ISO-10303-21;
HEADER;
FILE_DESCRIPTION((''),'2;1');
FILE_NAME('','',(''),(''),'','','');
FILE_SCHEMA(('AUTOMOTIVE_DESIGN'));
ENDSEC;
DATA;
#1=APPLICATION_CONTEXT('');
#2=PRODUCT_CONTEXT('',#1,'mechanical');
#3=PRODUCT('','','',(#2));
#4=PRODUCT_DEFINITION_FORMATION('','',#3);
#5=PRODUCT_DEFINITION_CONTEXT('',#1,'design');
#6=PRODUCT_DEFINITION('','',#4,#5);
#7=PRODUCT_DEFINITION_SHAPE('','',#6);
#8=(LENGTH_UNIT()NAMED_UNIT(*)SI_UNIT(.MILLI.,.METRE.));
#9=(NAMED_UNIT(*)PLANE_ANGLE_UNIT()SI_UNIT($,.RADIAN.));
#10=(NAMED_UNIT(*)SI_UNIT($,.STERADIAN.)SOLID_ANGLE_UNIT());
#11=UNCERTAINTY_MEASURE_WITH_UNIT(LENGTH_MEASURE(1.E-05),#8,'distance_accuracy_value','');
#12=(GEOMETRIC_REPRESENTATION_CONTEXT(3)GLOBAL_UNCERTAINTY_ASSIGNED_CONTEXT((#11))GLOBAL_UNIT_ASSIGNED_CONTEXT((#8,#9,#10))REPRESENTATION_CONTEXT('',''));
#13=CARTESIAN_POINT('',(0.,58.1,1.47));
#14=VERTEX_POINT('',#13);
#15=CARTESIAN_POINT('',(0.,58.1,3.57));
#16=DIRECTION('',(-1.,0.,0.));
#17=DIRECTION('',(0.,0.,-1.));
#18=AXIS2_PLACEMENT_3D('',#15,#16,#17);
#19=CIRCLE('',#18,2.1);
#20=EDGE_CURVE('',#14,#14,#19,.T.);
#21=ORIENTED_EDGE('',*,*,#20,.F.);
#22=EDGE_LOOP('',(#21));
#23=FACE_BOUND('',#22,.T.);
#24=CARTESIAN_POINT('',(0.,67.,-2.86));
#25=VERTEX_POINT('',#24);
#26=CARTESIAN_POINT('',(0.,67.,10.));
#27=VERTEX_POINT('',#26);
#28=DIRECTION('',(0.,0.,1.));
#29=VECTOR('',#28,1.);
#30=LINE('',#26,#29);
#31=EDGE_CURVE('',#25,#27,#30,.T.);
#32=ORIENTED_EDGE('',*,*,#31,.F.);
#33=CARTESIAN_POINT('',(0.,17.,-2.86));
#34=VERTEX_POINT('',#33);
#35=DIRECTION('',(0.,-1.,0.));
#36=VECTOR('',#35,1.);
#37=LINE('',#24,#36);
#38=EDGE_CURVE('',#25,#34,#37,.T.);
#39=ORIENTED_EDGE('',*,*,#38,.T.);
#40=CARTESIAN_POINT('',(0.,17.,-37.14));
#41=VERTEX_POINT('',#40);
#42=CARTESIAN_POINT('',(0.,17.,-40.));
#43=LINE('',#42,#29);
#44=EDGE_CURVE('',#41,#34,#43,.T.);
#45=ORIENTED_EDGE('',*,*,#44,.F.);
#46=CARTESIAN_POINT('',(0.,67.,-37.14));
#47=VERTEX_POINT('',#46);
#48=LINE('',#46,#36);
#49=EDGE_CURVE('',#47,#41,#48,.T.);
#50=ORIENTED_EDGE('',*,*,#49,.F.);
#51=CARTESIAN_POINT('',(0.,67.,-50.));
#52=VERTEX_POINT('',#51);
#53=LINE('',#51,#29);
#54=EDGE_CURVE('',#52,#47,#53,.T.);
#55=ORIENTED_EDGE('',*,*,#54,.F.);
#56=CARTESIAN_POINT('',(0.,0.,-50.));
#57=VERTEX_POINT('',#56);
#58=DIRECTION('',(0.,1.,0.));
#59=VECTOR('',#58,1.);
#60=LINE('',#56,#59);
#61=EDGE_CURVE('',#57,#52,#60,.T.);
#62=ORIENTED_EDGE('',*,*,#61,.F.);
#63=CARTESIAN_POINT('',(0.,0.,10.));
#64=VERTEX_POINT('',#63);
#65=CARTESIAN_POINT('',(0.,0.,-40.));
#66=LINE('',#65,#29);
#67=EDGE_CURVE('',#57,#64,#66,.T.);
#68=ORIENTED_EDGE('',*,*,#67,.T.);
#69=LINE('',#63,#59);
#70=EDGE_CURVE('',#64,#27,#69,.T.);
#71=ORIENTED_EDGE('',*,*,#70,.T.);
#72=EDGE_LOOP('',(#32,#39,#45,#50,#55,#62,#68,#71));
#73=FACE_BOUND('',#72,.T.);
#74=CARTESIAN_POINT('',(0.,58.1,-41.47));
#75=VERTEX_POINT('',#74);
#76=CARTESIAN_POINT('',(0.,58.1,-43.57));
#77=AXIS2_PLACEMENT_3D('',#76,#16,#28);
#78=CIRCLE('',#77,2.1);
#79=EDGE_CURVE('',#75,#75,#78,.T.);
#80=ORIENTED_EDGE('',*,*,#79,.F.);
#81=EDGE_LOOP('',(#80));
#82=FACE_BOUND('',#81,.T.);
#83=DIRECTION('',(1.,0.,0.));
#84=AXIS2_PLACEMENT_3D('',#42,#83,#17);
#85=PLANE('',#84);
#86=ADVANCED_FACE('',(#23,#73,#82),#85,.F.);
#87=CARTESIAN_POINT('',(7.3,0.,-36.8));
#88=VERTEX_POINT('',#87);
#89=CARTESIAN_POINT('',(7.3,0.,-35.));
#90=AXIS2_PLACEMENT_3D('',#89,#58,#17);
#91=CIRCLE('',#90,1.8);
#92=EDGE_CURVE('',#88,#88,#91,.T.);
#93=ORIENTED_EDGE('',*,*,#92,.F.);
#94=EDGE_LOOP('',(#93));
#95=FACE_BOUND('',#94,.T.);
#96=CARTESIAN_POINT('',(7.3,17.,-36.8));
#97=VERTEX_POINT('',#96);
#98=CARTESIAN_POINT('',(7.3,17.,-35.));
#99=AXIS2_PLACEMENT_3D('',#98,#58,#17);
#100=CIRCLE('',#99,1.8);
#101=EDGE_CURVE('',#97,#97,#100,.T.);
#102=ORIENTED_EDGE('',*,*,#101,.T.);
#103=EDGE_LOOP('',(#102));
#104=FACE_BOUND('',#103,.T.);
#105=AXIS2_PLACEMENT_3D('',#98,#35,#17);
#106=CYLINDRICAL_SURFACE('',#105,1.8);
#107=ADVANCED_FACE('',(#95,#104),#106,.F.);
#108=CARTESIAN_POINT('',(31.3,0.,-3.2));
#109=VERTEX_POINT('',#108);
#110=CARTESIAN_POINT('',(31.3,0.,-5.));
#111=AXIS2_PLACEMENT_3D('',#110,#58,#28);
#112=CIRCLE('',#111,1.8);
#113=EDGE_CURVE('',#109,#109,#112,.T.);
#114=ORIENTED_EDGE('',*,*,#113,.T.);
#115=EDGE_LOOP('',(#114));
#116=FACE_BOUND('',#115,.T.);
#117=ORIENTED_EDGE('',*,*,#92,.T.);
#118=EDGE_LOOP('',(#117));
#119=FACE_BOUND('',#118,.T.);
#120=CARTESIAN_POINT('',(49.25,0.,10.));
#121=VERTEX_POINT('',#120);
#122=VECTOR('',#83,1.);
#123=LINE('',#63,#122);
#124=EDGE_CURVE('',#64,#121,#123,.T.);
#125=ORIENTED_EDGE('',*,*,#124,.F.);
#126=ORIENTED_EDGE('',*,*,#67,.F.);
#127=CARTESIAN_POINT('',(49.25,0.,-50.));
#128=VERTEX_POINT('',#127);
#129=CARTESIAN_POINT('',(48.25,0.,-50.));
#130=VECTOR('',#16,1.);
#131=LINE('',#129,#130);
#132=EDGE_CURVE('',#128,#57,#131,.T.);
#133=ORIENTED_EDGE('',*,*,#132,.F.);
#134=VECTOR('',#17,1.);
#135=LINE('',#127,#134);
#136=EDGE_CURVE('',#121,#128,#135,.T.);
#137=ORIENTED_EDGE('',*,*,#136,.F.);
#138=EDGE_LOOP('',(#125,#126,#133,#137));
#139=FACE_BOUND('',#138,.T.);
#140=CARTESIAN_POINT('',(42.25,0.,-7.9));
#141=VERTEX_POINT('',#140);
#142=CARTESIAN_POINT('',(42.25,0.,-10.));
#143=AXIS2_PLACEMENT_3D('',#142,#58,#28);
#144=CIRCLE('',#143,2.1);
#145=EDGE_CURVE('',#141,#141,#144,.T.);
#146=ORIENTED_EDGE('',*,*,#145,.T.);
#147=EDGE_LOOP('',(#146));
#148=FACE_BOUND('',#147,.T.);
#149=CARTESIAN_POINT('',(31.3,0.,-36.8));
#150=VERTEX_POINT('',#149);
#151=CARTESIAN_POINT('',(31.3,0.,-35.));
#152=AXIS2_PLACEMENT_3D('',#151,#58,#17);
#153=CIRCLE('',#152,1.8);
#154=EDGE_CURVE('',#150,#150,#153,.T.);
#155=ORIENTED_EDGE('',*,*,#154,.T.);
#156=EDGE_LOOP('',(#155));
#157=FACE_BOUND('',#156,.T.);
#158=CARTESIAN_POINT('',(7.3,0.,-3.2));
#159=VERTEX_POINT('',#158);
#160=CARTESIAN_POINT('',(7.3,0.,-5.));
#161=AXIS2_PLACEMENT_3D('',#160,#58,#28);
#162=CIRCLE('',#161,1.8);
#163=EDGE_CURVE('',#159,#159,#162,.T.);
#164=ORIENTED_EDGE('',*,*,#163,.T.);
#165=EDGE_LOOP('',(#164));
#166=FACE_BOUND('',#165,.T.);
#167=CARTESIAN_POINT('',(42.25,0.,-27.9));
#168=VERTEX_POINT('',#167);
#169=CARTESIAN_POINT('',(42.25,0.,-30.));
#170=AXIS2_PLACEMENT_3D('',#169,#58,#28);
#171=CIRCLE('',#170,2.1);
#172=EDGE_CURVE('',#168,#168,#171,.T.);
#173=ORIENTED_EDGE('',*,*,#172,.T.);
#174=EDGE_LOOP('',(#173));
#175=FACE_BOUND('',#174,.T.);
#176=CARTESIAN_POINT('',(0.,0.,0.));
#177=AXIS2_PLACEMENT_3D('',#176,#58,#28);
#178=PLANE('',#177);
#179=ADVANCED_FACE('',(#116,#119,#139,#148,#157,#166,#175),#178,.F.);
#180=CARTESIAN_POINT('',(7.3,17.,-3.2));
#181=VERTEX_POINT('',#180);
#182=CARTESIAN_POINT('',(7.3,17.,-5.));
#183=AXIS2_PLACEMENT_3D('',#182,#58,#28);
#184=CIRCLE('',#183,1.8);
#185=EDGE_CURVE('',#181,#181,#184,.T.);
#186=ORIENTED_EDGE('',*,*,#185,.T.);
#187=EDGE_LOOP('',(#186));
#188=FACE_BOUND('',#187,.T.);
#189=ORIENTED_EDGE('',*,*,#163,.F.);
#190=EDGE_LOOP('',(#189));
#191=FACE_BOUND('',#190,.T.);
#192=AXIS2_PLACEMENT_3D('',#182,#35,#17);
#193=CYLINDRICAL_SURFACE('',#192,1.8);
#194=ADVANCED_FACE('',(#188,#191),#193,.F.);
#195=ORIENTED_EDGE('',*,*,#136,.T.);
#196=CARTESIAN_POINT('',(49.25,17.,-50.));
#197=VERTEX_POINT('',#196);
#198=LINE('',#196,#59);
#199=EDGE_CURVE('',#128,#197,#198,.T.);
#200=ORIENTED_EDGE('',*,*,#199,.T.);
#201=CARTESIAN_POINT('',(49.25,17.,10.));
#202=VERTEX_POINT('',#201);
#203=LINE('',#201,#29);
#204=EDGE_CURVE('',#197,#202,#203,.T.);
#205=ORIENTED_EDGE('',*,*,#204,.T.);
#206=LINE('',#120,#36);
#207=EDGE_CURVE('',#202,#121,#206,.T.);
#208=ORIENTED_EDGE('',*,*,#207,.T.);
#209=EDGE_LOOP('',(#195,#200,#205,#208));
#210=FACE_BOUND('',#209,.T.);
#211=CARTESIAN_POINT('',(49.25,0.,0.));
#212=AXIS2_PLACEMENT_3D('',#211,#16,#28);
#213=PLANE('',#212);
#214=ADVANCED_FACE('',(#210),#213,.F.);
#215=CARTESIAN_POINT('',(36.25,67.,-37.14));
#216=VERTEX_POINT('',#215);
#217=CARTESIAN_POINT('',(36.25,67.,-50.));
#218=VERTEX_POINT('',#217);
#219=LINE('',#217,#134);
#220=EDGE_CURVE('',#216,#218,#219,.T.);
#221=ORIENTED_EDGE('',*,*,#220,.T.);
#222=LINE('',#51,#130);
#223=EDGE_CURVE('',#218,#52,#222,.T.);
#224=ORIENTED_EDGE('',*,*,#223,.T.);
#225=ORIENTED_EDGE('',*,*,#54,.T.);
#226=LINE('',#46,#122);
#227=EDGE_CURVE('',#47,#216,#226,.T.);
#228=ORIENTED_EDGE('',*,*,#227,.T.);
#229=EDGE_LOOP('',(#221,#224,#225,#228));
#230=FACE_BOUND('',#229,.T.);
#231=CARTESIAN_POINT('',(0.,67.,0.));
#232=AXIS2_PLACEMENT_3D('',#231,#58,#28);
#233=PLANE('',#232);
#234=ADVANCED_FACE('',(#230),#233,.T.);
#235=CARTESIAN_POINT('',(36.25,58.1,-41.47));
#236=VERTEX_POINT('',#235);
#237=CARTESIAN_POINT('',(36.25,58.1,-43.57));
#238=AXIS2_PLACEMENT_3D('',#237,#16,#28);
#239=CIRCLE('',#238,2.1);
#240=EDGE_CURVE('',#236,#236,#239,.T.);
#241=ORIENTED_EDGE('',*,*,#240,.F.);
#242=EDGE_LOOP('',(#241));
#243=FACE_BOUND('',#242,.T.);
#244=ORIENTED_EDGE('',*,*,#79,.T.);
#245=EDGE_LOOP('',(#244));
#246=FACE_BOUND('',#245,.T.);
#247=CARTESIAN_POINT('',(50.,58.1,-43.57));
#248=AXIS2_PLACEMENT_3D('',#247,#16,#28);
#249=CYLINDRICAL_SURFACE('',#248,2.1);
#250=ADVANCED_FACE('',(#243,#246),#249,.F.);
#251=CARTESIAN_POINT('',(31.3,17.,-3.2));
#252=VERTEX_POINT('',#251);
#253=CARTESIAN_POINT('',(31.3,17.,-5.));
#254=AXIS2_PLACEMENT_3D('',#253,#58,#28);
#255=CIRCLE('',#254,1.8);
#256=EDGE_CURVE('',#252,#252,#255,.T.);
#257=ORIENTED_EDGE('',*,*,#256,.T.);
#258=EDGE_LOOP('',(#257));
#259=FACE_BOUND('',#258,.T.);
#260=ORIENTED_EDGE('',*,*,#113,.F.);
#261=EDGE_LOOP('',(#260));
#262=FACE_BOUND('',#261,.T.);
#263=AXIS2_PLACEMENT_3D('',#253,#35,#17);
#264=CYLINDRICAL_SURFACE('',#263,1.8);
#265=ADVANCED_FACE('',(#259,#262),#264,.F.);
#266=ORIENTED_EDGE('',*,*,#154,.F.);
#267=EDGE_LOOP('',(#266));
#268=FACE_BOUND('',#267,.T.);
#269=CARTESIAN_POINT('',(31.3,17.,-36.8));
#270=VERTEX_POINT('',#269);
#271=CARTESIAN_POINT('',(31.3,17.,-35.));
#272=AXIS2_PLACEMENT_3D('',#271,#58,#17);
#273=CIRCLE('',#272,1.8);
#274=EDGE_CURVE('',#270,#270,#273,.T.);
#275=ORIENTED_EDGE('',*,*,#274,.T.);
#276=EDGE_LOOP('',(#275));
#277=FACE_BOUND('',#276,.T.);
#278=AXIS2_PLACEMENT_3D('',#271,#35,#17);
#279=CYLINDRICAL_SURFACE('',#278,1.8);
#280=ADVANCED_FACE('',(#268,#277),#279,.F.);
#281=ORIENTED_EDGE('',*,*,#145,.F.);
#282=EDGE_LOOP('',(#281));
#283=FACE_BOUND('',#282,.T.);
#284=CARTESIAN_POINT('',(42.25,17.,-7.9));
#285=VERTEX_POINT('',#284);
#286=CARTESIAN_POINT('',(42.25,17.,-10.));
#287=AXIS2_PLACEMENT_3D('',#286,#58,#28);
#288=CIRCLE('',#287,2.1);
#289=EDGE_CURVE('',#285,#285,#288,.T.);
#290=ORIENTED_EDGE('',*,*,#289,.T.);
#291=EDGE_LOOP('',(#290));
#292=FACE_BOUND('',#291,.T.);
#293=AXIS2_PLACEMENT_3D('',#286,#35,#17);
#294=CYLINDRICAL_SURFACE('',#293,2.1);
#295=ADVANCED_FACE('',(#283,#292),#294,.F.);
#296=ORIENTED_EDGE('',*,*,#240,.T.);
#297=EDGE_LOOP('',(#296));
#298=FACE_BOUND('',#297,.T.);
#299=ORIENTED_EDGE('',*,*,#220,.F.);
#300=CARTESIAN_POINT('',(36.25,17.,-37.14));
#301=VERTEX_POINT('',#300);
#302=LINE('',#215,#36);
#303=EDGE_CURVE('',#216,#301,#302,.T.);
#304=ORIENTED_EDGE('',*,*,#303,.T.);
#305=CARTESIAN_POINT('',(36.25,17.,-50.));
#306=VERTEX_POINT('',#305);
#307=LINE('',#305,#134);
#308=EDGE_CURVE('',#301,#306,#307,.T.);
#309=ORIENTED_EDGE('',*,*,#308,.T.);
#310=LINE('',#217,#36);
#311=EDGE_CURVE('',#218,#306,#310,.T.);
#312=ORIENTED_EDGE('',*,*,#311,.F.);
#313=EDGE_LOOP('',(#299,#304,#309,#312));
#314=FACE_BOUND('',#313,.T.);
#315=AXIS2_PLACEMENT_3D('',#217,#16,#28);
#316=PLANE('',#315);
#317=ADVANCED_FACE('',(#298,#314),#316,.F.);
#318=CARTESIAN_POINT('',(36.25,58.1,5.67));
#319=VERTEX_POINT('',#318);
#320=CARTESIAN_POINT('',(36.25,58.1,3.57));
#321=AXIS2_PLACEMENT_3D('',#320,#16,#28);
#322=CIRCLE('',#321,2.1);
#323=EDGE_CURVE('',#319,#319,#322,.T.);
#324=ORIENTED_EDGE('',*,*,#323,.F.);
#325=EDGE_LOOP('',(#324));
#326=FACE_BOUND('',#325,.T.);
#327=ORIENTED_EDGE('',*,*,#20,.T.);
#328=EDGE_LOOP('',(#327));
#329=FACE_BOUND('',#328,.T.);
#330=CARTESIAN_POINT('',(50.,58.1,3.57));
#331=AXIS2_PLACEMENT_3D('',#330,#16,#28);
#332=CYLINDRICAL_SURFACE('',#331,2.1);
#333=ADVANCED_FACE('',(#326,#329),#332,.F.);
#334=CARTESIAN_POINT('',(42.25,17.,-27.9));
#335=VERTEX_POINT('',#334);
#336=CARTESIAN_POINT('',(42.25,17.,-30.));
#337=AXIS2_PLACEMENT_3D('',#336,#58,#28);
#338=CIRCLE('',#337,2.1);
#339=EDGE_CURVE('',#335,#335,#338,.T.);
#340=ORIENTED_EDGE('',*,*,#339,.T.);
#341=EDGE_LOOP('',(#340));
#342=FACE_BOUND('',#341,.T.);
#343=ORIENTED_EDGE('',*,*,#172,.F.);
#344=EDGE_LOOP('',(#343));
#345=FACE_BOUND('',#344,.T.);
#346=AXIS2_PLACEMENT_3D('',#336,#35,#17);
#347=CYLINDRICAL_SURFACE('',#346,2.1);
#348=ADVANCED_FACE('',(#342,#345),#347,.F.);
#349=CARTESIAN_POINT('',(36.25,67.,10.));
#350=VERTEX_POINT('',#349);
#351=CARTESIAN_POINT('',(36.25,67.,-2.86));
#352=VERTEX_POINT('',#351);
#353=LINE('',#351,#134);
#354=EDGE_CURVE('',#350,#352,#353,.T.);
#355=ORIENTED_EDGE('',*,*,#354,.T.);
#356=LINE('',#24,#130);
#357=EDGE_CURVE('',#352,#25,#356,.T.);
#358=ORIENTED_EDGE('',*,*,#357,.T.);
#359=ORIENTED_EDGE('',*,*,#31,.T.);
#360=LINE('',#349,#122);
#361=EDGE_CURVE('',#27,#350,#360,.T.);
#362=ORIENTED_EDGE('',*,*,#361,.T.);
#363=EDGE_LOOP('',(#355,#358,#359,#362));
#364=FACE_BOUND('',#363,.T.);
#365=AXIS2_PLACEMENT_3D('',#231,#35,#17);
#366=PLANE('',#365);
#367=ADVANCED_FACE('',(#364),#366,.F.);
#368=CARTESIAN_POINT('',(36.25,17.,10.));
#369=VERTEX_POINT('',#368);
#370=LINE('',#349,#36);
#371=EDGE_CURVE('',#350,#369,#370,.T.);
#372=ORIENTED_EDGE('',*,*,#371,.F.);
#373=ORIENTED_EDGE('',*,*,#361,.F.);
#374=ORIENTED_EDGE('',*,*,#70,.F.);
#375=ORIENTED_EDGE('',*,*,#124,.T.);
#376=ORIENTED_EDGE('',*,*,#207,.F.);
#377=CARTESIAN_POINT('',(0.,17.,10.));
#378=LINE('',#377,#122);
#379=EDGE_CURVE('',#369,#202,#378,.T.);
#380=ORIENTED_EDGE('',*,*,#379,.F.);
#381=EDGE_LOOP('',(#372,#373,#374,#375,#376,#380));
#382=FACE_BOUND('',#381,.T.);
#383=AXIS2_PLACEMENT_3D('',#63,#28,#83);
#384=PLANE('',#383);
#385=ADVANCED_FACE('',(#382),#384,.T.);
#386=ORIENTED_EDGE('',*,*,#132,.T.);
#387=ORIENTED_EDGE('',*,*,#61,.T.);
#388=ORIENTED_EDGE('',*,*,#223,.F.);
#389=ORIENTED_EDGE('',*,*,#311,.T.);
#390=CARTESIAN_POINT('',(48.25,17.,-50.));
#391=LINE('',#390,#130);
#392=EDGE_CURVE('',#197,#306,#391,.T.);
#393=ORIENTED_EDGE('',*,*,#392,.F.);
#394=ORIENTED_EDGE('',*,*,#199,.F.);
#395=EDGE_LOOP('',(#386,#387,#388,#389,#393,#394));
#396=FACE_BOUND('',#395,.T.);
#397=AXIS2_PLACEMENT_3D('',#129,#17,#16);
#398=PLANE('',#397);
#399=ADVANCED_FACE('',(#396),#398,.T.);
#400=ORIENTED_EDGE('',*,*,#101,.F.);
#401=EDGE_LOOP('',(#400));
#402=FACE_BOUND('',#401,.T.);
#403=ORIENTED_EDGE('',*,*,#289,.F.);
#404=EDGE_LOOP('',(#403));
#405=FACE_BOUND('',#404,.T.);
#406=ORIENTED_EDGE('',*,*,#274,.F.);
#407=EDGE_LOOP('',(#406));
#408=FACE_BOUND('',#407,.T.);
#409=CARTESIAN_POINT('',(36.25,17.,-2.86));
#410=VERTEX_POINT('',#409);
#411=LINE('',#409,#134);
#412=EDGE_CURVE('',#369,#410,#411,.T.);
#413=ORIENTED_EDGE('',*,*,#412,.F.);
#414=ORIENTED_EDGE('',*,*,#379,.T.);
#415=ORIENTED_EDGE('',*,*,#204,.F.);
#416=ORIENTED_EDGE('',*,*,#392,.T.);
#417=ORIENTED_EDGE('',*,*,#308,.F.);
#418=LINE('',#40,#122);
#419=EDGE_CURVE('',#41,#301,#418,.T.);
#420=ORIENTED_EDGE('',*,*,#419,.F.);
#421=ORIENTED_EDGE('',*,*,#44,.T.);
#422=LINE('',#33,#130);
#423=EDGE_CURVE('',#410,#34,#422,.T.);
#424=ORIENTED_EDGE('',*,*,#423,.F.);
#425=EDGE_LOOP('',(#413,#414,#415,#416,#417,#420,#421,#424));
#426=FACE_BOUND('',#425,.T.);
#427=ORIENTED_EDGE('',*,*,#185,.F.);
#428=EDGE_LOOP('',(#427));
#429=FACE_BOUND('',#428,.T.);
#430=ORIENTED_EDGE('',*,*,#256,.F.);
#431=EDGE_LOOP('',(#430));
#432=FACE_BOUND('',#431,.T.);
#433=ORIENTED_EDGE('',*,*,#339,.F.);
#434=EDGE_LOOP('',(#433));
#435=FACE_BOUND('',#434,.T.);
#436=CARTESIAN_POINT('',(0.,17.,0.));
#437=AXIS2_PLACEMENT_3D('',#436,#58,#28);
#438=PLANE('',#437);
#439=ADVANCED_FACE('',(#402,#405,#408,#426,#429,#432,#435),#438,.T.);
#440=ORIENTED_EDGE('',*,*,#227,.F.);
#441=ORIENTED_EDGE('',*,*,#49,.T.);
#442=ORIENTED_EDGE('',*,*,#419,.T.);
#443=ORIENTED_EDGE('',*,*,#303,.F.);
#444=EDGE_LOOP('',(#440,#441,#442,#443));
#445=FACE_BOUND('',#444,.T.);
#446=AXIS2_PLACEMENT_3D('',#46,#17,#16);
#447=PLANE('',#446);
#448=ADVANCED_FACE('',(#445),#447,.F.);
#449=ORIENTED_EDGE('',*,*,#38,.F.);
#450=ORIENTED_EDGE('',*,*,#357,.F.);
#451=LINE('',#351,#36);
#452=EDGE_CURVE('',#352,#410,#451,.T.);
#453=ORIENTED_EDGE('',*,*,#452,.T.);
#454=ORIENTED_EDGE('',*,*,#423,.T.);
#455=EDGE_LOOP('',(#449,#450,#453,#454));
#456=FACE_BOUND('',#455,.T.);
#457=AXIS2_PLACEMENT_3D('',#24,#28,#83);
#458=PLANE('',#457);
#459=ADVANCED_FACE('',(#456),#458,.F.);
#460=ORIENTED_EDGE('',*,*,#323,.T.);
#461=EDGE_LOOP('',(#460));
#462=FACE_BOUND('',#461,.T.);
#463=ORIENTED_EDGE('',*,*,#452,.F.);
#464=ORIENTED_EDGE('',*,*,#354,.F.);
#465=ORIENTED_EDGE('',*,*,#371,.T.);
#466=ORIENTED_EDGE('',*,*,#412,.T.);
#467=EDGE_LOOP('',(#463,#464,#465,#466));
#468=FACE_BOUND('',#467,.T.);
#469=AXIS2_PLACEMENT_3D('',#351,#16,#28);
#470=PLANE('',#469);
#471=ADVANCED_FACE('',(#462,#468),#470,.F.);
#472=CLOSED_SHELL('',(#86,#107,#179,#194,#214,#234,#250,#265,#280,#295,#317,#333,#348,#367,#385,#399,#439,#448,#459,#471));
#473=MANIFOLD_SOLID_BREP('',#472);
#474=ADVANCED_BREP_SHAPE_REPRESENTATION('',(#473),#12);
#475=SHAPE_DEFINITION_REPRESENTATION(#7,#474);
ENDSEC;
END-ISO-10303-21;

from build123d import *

# Parameters (mm, degrees)
CROQUIS1_R              = 1.8
CROQUIS1_R_2            = 2.1
SALIENTE_EXTRUIR4_DEPTH = 17
CROQUIS2_W              = 48.25
CROQUIS2_H              = 10
SALIENTE_EXTRUIR5_DEPTH = 17
CROQUIS3_W              = 36.25
CROQUIS3_H              = 12.86
SALIENTE_EXTRUIR6_DEPTH = 50
CROQUIS4_R              = 2.1
CORTAR_EXTRUIR1_DEPTH   = 50
CROQUIS5_W              = 60
CROQUIS5_H              = 17
SALIENTE_EXTRUIR7_DEPTH = 1


with BuildPart() as part:
    # Croquis1 → Saliente-Extruir4 (new body)
    with BuildSketch(Plane(origin=(0, 0, 0), x_dir=(1, 0, 0), z_dir=(0, 1, 0))):
        Polygon((0, 0), (48.11, 0), (48.25, 0), (48.25, 20), (48.25, 40), (48.11, 40), (0, 40), align=None)
        with Locations((7.3, 5)):
            Circle(CROQUIS1_R, mode=Mode.SUBTRACT)
        with Locations((31.3, 5)):
            Circle(CROQUIS1_R, mode=Mode.SUBTRACT)
        with Locations((31.3, 35)):
            Circle(CROQUIS1_R, mode=Mode.SUBTRACT)
        with Locations((7.3, 35)):
            Circle(CROQUIS1_R, mode=Mode.SUBTRACT)
        with Locations((42.25, 30)):
            Circle(CROQUIS1_R_2, mode=Mode.SUBTRACT)
        with Locations((42.25, 10)):
            Circle(CROQUIS1_R_2, mode=Mode.SUBTRACT)
    extrude(amount=SALIENTE_EXTRUIR4_DEPTH)

    # Croquis2 → Saliente-Extruir5 (add)
    with BuildSketch(Plane(origin=(0, 17, 0), x_dir=(1, 0, 0), z_dir=(0, 1, 0))):
        with Locations((24.125, 45)):
            Rectangle(CROQUIS2_W, CROQUIS2_H)
        with Locations((24.125, -5)):
            Rectangle(CROQUIS2_W, CROQUIS2_H)
    extrude(amount=-SALIENTE_EXTRUIR5_DEPTH)

    # Croquis3 → Saliente-Extruir6 (add)
    with BuildSketch(Plane(origin=(0, 17, 0), x_dir=(1, 0, 0), z_dir=(0, 1, 0))):
        with Locations((18.125, 43.57)):
            Rectangle(CROQUIS3_W, CROQUIS3_H)
        with Locations((18.125, -3.57)):
            Rectangle(CROQUIS3_W, CROQUIS3_H)
    extrude(amount=SALIENTE_EXTRUIR6_DEPTH)

    # Croquis4 → Cortar-Extruir1 (cut)
    with BuildSketch(Plane.ZY):
        with Locations((-43.57, 58.1)):
            Circle(CROQUIS4_R)
        with Locations((3.57, 58.1)):
            Circle(CROQUIS4_R)
    extrude(amount=-CORTAR_EXTRUIR1_DEPTH, mode=Mode.SUBTRACT)

    # Croquis5 → Saliente-Extruir7 (add)
    with BuildSketch(Plane(origin=(48.25, 0, 0), x_dir=(0, 0, -1), z_dir=(1, 0, 0))):
        with Locations((20, 8.5)):
            Rectangle(CROQUIS5_W, CROQUIS5_H)
    extrude(amount=SALIENTE_EXTRUIR7_DEPTH)


solid = part.part
